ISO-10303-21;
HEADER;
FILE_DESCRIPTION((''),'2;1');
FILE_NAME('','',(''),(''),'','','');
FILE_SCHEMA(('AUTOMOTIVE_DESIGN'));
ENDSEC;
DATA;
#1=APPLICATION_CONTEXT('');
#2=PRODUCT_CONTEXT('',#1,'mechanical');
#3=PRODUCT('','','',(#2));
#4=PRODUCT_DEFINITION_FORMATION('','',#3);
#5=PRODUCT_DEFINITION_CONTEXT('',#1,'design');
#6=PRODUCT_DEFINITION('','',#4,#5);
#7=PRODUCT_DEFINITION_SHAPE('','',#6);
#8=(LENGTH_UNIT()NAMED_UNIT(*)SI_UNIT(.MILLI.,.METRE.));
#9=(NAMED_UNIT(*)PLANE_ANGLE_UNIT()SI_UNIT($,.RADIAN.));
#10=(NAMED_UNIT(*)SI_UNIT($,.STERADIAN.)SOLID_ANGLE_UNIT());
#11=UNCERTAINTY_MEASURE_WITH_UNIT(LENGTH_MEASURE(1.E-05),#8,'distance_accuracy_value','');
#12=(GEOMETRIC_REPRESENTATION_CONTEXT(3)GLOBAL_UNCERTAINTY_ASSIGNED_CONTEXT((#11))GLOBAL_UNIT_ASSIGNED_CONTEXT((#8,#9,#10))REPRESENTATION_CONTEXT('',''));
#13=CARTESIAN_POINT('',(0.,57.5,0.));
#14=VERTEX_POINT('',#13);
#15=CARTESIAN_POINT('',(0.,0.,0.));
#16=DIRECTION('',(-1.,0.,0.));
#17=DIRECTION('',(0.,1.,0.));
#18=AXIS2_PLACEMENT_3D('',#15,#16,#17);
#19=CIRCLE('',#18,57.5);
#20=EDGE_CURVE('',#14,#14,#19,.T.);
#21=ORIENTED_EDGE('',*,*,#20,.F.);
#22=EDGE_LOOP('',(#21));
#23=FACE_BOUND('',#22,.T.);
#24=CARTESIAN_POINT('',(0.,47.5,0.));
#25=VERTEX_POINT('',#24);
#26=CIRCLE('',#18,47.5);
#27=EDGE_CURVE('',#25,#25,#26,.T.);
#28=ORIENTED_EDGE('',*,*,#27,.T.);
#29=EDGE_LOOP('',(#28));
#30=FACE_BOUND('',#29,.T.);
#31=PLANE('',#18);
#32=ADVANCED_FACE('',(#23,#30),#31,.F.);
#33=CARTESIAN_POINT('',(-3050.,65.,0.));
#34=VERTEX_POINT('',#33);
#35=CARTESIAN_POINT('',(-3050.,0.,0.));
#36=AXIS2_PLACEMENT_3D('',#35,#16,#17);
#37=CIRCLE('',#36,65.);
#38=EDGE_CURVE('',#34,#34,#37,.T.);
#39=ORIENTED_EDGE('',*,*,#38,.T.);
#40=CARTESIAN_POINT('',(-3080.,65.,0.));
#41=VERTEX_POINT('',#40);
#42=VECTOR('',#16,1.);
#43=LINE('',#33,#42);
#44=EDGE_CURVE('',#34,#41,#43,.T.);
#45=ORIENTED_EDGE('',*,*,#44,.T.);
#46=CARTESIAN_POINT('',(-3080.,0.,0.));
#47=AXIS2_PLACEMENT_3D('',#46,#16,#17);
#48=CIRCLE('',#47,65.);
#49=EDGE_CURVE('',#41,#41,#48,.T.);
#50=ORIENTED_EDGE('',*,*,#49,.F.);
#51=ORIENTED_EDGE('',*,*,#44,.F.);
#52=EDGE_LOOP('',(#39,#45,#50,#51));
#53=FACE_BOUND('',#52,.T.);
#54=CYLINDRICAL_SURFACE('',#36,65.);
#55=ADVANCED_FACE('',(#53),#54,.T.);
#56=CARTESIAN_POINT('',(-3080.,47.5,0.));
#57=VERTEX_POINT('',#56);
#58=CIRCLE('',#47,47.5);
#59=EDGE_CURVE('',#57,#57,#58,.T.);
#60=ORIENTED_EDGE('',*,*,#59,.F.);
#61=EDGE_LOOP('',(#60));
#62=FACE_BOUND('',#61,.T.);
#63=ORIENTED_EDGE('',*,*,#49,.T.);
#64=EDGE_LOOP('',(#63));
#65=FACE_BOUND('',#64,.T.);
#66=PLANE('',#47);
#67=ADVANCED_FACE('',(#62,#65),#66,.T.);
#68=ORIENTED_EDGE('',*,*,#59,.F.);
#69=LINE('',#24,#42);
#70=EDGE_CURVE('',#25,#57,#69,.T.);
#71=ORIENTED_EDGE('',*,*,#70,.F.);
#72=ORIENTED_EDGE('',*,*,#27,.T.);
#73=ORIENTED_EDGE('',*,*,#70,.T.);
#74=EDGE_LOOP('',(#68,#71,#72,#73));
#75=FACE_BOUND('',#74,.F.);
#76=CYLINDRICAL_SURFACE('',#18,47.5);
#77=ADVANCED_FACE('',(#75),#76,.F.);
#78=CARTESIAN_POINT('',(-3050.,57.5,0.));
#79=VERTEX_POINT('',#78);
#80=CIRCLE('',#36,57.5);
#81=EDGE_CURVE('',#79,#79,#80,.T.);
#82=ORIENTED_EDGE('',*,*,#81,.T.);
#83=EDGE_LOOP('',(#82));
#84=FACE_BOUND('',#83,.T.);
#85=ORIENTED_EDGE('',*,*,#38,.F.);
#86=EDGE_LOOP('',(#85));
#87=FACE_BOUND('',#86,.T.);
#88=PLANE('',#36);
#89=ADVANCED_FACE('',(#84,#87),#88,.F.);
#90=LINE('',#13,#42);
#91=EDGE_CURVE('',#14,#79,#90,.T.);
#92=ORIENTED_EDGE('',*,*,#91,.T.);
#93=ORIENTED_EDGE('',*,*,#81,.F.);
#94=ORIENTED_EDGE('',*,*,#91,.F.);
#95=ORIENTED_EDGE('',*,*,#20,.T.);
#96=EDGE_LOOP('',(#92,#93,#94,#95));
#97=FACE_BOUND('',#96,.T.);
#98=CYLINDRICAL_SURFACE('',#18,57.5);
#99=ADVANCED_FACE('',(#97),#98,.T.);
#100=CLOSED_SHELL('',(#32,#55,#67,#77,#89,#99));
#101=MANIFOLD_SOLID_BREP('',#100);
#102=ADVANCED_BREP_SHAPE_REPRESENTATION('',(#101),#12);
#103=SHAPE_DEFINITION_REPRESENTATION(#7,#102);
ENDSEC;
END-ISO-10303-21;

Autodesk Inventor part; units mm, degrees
ref_plane "YZ Plane" through (0, 0, 0) normal (1, 0, 0) x (0, 1, 0)
ref_plane "XZ Plane" through (0, 0, 0) normal (0, 1, 0) x (-1, 0, 0)
ref_plane "XY Plane" through (0, 0, 0) normal (0, 0, 1) x (1, 0, 0)
sketch "Эскиз1" plane through (0, 0, 0) normal (0, 0, 1) x (1, 0, 0)
  line L0 (0, 0) -> (-1878.8733, 0)
  line L1 (0, 0) -> (0, 57.5)
  line L2 (0, 57.5) -> (-3050, 57.5)
  line L3 (-3050, 57.5) -> (-3050, 65)
  line L4 (-3050, 65) -> (-3080, 65)
  line L5 (-3080, 65) -> (-3080, 0)
  line L6 (0, 47.5) -> (-3080, 47.5)
  dimension "d0" = 95
  dimension "d1" = 115
  dimension "d2" = 130
  dimension "d3" = 30
  dimension "d4" = 3080
revolve "Вращение1" add sketch "Эскиз1" angle 360 about axis through (0, 0, 0) along (-1, 0, 0)
properties part number "Lift.02.00.00.04" material "Сталь нержавеющая, 440C"
